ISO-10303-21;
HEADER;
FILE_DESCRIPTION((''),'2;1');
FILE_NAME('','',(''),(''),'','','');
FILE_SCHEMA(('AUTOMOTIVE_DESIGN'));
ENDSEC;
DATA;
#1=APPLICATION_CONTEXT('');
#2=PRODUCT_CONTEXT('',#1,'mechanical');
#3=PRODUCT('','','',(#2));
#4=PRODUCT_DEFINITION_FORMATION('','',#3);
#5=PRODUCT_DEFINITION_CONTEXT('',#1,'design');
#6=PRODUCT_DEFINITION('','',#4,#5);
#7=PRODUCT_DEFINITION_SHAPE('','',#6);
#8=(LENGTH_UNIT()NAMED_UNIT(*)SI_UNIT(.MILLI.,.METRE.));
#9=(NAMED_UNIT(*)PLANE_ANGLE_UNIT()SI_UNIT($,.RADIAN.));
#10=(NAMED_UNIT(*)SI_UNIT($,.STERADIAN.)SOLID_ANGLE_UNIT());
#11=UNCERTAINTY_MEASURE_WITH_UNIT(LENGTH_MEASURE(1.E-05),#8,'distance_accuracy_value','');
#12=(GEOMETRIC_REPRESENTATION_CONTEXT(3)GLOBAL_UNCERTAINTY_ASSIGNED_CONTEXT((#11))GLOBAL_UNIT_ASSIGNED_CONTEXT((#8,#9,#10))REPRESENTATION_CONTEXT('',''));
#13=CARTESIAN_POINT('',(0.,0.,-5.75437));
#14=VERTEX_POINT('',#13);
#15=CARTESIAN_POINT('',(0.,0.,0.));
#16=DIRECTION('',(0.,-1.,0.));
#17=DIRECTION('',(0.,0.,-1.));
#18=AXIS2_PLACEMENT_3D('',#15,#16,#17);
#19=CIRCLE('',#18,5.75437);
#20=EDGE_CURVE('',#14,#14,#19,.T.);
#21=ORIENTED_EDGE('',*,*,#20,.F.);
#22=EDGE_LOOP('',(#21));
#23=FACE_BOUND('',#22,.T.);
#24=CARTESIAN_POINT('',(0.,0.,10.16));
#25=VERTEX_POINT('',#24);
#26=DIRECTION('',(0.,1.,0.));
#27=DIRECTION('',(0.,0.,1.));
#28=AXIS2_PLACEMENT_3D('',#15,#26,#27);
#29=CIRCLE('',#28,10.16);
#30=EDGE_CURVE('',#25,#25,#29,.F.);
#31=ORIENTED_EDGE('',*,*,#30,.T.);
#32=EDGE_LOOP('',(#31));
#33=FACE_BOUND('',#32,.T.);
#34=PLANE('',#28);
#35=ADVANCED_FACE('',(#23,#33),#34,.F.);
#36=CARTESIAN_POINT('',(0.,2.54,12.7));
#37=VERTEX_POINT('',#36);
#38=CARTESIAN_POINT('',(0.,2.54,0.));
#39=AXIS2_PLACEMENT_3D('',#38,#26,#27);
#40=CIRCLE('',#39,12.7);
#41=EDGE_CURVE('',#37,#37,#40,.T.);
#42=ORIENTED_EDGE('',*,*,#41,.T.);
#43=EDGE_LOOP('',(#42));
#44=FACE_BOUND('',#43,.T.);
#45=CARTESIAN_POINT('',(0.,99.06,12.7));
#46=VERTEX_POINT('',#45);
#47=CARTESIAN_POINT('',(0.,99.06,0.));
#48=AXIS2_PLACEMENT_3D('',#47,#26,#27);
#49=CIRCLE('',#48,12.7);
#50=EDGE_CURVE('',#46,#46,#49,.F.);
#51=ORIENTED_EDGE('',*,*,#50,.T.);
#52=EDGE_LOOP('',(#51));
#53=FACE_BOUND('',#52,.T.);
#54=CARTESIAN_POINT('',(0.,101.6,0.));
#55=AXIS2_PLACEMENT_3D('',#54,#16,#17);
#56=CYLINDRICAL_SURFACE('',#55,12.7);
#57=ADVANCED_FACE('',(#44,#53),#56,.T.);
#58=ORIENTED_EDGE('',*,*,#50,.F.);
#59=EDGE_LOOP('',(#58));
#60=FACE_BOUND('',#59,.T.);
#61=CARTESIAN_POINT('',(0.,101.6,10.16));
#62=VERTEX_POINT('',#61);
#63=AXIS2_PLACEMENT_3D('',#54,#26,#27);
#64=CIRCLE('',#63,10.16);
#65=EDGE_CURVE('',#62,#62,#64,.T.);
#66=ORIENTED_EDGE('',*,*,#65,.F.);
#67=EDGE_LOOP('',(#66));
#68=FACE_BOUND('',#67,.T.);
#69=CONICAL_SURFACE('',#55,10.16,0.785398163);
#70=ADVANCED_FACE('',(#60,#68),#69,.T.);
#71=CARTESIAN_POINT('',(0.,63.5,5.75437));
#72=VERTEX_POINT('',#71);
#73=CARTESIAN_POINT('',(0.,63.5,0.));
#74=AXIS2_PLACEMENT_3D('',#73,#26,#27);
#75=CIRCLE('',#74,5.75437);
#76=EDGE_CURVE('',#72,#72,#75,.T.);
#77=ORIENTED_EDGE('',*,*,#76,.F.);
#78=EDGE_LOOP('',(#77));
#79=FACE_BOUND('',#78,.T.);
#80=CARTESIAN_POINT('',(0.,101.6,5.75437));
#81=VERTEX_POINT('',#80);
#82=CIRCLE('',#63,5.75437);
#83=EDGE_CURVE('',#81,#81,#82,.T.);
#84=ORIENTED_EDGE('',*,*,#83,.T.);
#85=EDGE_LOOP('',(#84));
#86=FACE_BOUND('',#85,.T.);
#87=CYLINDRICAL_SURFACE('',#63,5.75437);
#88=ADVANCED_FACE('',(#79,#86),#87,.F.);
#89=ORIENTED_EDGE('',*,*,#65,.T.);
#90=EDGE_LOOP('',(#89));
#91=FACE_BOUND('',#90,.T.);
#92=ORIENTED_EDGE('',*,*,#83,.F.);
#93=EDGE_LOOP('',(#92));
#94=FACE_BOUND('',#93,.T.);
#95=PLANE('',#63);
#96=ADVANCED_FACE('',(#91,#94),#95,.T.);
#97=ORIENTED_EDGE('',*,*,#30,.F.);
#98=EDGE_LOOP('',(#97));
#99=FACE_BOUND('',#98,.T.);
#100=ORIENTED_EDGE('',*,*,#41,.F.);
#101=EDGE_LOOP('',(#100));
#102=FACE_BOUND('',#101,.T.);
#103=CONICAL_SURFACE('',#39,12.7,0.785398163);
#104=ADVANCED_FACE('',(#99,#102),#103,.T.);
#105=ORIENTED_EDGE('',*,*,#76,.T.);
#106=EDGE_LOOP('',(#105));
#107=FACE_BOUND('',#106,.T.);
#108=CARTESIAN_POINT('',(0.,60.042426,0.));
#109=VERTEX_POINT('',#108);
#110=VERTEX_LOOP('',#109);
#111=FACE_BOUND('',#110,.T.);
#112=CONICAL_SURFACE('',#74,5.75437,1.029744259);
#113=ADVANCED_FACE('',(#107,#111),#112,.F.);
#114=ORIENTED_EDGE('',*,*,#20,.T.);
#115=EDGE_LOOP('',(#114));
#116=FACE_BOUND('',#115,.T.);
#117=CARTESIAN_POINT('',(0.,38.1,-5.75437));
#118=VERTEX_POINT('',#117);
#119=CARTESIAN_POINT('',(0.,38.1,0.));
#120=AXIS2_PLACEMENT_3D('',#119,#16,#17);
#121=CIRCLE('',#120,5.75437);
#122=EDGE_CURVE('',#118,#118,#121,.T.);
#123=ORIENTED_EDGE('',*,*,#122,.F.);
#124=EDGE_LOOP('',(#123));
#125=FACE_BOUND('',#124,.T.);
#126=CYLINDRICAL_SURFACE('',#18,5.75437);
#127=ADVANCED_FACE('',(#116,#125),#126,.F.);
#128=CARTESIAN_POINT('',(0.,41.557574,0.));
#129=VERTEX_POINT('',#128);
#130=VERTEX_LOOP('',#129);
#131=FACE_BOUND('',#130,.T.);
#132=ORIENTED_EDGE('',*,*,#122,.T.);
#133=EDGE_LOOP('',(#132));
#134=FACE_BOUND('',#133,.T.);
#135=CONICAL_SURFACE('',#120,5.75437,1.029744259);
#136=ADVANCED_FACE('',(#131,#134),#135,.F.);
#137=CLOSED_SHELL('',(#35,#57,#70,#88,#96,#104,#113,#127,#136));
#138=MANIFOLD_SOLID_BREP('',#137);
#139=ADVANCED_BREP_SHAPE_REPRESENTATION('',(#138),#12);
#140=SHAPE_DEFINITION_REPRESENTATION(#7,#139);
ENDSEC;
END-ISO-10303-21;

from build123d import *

# Parameters (mm, degrees)
SKETCH1_R                   = 12.7
BOSS_EXTRUDE1_DEPTH         = 101.6
F_1_2_20_TAPPED_HOLE1_D     = 11.50874
F_1_2_20_TAPPED_HOLE1_DEPTH = 38.1
F_1_2_20_TAPPED_HOLE1_TIP   = 3.45757432
F_1_2_20_TAPPED_HOLE2_D     = 11.50874
F_1_2_20_TAPPED_HOLE2_DEPTH = 38.1
F_1_2_20_TAPPED_HOLE2_TIP   = 3.45757432
CHAMFER1_SIZE               = 2.54


with BuildPart() as part:
    # Sketch1 → Boss-Extrude1 (new body)
    with BuildSketch(Plane(origin=(0, 0, 0), x_dir=(1, 0, 0), z_dir=(0, 1, 0))):
        with Locations(Location((0, 0, 0), (0, 0, 270))):
            Circle(SKETCH1_R)
    extrude(amount=BOSS_EXTRUDE1_DEPTH)

    # 1/2-20 Tapped Hole1
    with Locations(Plane.ZX.offset(101.6)):
        with Locations((0, 0)):
            Hole(F_1_2_20_TAPPED_HOLE1_D / 2, depth=F_1_2_20_TAPPED_HOLE1_DEPTH)
            with Locations((0, 0, -(F_1_2_20_TAPPED_HOLE1_DEPTH + F_1_2_20_TAPPED_HOLE1_TIP / 2))):  # 118° drill point
                Cone(0, F_1_2_20_TAPPED_HOLE1_D / 2, F_1_2_20_TAPPED_HOLE1_TIP, mode=Mode.SUBTRACT)

    # 1/2-20 Tapped Hole2
    with Locations(Plane(origin=(0, 0, 0), x_dir=(0, 0, -1), z_dir=(0, -1, 0))):
        with Locations((0, 0)):
            Hole(F_1_2_20_TAPPED_HOLE2_D / 2, depth=F_1_2_20_TAPPED_HOLE2_DEPTH)
            with Locations((0, 0, -(F_1_2_20_TAPPED_HOLE2_DEPTH + F_1_2_20_TAPPED_HOLE2_TIP / 2))):  # 118° drill point
                Cone(0, F_1_2_20_TAPPED_HOLE2_D / 2, F_1_2_20_TAPPED_HOLE2_TIP, mode=Mode.SUBTRACT)

    # Chamfer1
    chamfer1_edges = [part.edges().sort_by_distance(p)[0] for p in [
        (0, 0, -12.7),
        (0, 101.6, -12.7),
    ]]
    chamfer(chamfer1_edges, length=CHAMFER1_SIZE)


solid = part.part
